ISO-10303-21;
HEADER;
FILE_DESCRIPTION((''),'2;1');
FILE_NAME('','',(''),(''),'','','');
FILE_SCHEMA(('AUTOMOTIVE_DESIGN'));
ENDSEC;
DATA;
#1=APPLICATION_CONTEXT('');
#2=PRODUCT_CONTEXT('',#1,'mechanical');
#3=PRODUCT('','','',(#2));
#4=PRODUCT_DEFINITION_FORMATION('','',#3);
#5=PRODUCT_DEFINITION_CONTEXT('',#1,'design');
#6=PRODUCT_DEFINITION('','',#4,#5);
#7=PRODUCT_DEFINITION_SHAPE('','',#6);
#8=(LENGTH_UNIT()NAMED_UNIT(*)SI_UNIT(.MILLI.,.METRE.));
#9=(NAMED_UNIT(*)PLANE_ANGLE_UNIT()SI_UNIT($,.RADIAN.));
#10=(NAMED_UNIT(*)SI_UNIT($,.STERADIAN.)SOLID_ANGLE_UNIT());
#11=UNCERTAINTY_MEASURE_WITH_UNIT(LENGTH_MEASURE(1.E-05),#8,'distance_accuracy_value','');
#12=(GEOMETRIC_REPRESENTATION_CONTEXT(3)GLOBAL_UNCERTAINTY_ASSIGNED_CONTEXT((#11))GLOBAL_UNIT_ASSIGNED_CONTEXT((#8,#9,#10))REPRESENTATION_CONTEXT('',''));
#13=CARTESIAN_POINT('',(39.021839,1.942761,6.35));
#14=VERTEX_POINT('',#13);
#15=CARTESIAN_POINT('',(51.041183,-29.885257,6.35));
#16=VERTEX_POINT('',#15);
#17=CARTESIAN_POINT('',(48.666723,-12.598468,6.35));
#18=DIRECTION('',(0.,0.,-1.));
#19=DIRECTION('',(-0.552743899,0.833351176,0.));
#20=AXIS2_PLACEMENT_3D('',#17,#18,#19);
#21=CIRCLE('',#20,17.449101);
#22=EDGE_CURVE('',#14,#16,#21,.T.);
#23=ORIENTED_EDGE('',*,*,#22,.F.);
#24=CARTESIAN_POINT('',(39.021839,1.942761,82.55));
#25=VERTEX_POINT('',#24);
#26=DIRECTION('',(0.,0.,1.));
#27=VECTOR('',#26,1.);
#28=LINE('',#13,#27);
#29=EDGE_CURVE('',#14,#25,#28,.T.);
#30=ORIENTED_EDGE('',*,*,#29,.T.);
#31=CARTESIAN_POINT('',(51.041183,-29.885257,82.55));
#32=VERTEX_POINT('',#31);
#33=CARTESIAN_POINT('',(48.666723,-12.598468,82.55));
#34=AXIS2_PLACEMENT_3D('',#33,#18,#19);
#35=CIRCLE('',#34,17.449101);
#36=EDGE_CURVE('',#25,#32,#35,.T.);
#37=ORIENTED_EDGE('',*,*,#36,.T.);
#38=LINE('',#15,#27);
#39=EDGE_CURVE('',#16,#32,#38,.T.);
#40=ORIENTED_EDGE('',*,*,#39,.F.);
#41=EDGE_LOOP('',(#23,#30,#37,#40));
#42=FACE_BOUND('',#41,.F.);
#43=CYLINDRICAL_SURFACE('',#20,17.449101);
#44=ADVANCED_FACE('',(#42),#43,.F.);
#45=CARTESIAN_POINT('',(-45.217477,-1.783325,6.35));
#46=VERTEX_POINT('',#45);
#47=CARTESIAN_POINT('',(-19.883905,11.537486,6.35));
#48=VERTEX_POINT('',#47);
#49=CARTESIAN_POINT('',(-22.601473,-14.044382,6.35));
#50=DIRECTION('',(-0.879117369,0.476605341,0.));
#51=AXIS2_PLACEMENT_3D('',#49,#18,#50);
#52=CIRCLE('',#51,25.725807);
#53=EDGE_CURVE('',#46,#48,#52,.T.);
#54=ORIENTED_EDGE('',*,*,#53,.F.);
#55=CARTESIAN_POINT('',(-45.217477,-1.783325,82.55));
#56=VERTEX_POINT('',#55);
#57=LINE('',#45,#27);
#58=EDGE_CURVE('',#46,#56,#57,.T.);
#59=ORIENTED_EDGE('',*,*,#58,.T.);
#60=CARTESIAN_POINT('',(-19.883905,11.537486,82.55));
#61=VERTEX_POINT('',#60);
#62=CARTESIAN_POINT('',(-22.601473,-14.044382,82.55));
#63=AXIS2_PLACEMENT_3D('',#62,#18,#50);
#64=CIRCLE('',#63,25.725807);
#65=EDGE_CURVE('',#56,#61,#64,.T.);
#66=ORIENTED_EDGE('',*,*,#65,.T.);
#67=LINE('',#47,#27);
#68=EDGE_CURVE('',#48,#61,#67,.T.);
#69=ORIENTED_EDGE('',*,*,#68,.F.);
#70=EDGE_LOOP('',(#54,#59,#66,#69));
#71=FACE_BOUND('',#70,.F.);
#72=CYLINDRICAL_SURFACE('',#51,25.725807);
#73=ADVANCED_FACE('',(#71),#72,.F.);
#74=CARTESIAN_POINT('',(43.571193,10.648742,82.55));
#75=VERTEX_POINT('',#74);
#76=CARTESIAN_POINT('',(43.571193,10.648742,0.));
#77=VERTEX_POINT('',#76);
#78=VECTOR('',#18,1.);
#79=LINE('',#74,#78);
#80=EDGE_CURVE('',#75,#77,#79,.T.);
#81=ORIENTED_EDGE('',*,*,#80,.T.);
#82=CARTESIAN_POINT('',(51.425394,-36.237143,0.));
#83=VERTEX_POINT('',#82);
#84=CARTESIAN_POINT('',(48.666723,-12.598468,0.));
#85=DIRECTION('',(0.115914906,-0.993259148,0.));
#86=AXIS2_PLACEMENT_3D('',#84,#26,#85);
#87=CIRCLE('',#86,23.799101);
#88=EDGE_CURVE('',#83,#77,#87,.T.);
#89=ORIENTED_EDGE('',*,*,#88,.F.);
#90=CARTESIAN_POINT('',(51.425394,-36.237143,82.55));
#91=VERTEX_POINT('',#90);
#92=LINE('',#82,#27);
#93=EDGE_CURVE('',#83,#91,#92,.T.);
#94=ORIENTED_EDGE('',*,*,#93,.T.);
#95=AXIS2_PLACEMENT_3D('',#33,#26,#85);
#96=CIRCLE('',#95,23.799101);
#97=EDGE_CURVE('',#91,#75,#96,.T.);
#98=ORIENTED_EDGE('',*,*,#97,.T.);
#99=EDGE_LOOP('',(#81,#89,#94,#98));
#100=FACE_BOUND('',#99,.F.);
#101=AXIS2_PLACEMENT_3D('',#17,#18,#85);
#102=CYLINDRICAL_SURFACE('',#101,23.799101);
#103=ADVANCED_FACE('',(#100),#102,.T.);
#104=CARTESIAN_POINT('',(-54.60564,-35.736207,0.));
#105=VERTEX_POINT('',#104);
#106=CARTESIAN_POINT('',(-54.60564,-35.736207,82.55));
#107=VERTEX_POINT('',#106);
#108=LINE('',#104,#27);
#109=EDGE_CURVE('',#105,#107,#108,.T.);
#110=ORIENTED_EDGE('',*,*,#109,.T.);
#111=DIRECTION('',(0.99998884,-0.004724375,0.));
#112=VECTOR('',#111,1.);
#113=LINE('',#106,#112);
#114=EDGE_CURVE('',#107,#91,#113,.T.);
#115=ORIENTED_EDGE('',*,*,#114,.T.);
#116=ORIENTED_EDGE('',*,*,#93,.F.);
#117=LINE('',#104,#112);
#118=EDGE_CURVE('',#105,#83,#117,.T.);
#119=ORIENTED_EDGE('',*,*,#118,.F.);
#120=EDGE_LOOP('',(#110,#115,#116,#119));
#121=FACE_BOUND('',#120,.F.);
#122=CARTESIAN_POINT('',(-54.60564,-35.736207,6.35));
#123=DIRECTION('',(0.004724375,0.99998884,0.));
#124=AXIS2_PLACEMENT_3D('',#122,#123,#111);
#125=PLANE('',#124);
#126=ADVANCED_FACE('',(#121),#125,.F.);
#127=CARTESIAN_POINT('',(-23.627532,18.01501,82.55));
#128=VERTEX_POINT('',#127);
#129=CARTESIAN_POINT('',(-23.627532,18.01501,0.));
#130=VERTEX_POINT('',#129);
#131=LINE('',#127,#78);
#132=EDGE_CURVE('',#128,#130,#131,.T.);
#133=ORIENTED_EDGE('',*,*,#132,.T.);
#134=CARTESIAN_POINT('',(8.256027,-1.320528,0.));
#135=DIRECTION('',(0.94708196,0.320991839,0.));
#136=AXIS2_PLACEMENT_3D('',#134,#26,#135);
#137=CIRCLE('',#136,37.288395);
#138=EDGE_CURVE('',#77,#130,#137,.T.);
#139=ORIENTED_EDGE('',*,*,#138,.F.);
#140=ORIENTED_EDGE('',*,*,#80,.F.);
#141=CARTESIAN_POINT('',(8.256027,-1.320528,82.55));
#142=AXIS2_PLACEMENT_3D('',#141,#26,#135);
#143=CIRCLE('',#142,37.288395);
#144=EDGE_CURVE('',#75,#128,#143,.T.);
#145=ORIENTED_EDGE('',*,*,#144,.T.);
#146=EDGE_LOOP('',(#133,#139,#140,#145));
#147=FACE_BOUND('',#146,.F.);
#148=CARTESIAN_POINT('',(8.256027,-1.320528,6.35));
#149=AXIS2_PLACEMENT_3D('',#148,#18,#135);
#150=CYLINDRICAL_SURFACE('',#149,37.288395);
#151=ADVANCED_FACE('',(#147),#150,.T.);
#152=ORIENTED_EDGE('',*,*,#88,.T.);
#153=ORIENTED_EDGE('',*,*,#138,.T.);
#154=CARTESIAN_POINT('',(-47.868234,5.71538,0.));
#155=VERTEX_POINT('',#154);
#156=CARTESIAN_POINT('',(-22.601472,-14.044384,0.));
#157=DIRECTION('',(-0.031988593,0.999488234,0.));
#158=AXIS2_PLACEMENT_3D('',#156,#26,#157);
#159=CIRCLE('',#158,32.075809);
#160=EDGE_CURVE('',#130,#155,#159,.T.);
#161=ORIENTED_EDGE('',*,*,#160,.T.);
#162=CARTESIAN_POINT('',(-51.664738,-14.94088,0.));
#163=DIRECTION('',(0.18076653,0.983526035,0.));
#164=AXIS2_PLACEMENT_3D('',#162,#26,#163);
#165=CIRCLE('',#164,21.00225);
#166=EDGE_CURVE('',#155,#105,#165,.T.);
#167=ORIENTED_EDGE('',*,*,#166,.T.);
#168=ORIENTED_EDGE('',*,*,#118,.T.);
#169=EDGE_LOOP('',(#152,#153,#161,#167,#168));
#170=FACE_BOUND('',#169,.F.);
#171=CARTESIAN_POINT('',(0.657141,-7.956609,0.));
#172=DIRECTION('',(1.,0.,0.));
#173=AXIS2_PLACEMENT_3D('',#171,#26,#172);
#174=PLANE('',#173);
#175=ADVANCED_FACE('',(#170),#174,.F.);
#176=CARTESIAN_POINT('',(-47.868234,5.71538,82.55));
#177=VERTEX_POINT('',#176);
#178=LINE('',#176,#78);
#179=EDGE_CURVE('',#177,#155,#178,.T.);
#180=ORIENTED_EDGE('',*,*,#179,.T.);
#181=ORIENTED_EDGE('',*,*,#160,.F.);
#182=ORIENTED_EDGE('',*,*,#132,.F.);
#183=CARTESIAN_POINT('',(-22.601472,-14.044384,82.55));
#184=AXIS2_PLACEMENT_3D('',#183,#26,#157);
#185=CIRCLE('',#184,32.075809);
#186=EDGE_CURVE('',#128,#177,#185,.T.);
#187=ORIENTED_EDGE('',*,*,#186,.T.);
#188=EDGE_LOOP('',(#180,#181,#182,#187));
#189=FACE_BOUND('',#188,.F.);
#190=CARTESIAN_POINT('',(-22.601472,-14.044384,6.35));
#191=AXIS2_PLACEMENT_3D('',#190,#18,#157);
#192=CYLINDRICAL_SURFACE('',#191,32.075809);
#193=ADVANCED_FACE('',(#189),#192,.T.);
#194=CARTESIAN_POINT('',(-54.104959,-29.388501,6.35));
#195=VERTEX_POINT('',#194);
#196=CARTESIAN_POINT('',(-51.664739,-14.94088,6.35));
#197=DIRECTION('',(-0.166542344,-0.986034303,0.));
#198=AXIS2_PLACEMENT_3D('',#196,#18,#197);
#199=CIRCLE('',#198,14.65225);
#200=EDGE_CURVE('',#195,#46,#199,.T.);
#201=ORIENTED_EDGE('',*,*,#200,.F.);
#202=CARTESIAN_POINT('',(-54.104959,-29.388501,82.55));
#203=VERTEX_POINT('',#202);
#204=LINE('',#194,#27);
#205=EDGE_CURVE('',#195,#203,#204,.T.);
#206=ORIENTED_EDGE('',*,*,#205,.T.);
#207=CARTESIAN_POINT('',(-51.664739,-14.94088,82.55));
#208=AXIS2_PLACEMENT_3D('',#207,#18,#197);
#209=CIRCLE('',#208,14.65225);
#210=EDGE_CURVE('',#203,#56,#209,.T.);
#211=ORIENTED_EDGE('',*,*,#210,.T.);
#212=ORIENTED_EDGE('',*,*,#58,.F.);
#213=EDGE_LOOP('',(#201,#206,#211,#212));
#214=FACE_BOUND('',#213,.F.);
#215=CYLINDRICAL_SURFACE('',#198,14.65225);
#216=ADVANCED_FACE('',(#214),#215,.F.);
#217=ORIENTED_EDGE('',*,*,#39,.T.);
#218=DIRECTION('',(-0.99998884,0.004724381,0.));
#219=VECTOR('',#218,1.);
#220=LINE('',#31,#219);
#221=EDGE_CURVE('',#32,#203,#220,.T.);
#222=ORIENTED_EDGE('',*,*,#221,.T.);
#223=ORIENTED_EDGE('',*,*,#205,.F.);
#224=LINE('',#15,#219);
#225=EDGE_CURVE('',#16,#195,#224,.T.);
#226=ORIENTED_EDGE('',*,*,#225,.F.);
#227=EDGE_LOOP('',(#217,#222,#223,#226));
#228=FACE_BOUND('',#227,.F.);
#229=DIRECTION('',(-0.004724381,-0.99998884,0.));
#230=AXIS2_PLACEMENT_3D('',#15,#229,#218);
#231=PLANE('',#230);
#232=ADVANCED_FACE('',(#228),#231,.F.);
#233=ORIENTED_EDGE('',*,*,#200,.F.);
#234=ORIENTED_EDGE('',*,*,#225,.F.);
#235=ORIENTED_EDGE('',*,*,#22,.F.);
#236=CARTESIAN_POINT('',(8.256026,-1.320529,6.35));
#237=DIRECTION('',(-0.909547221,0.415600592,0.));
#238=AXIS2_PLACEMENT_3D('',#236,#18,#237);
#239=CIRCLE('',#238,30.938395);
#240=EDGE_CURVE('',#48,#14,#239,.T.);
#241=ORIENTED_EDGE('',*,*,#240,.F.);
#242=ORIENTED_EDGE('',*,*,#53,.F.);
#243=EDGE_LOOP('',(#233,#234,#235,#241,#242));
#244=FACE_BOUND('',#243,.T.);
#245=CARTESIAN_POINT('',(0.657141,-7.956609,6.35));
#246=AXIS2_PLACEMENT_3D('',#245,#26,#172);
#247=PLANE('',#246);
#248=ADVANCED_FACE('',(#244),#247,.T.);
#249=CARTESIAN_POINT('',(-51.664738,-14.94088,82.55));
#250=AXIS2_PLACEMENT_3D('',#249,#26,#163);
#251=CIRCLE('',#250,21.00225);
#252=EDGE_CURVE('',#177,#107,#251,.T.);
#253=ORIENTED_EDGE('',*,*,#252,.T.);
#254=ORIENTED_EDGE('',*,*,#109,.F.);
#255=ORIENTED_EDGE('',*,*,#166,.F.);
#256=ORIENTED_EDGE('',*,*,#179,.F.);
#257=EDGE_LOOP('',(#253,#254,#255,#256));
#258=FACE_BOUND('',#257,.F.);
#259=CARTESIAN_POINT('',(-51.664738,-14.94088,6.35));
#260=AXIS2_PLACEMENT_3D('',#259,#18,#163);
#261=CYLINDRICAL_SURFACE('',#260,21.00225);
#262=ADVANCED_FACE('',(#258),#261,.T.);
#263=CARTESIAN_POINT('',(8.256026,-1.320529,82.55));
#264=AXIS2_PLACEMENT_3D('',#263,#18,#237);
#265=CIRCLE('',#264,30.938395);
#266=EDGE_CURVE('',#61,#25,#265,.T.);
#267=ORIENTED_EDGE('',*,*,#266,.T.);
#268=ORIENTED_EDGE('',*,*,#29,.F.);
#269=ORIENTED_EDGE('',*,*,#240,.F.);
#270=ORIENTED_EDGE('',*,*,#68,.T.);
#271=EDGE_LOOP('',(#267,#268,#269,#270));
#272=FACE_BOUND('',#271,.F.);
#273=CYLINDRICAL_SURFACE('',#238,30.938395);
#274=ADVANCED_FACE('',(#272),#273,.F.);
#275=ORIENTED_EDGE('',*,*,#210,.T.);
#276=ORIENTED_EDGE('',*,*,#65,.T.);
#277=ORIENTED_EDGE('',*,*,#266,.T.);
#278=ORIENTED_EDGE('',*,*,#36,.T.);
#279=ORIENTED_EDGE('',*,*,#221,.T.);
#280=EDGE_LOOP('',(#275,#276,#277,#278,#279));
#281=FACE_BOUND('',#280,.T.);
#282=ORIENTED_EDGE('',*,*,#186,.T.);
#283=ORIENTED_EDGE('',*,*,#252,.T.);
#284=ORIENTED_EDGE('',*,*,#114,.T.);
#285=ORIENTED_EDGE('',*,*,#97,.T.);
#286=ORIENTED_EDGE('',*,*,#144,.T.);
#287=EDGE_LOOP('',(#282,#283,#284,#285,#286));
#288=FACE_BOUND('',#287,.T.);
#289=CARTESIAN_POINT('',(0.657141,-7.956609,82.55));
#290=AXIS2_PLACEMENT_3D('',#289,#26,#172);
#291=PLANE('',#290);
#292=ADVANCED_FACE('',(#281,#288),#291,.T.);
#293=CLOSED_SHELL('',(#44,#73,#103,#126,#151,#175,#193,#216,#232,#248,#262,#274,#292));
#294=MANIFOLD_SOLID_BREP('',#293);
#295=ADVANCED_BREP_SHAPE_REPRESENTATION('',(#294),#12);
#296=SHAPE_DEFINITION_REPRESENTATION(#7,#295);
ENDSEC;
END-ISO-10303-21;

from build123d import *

# Parameters (mm, degrees)
F1_DEPTH = 6.35
F3_DEPTH = 76.2


with BuildPart() as f1:
    # F0 (on Top) → F1 (new body)
    with BuildSketch(Plane.XY):
        with BuildLine():
            ThreePointArc((43.571193, 10.648742), (12.31921, 35.74583), (-23.627532, 18.01501))
            ThreePointArc((-23.627532, 18.01501), (-37.115202, 14.559972), (-47.868234, 5.71538))
            ThreePointArc((-47.868234, 5.71538), (-72.394946, -11.571459), (-54.60564, -35.736207))
            Line((-54.60564, -35.736207), (51.425394, -36.237143))
            ThreePointArc((51.425394, -36.237143), (72.138766, -8.666493), (43.571193, 10.648742))
        make_face()
    extrude(amount=F1_DEPTH)

    # F2 (on face) → F3 (join)
    with BuildSketch(Plane.XY.offset(6.35)):
        with BuildLine():
            ThreePointArc((-47.868234, 5.71538), (-72.394946, -11.571459), (-54.60564, -35.736207))
            Line((-54.60564, -35.736207), (51.425394, -36.237143))
            ThreePointArc((51.425394, -36.237143), (72.138766, -8.666493), (43.571193, 10.648742))
            ThreePointArc((43.571193, 10.648742), (12.31921, 35.74583), (-23.627532, 18.01501))
            ThreePointArc((-23.627532, 18.01501), (-37.115202, 14.559972), (-47.868234, 5.71538))
        make_face()
        with BuildLine():
            ThreePointArc((-45.217477, -1.783325), (-34.574273, 8.725537), (-19.883905, 11.537486))
            ThreePointArc((-19.883905, 11.537486), (13.229808, 29.215446), (39.021839, 1.942761))
            ThreePointArc((39.021839, 1.942761), (64.990646, -6.433999), (51.041183, -29.885257))
            Line((51.041183, -29.885257), (-54.104959, -29.388501))
            ThreePointArc((-54.104959, -29.388501), (-65.61198, -10.450568), (-45.217477, -1.783325))
        make_face(mode=Mode.SUBTRACT)
    extrude(amount=F3_DEPTH)


solid = f1.part
